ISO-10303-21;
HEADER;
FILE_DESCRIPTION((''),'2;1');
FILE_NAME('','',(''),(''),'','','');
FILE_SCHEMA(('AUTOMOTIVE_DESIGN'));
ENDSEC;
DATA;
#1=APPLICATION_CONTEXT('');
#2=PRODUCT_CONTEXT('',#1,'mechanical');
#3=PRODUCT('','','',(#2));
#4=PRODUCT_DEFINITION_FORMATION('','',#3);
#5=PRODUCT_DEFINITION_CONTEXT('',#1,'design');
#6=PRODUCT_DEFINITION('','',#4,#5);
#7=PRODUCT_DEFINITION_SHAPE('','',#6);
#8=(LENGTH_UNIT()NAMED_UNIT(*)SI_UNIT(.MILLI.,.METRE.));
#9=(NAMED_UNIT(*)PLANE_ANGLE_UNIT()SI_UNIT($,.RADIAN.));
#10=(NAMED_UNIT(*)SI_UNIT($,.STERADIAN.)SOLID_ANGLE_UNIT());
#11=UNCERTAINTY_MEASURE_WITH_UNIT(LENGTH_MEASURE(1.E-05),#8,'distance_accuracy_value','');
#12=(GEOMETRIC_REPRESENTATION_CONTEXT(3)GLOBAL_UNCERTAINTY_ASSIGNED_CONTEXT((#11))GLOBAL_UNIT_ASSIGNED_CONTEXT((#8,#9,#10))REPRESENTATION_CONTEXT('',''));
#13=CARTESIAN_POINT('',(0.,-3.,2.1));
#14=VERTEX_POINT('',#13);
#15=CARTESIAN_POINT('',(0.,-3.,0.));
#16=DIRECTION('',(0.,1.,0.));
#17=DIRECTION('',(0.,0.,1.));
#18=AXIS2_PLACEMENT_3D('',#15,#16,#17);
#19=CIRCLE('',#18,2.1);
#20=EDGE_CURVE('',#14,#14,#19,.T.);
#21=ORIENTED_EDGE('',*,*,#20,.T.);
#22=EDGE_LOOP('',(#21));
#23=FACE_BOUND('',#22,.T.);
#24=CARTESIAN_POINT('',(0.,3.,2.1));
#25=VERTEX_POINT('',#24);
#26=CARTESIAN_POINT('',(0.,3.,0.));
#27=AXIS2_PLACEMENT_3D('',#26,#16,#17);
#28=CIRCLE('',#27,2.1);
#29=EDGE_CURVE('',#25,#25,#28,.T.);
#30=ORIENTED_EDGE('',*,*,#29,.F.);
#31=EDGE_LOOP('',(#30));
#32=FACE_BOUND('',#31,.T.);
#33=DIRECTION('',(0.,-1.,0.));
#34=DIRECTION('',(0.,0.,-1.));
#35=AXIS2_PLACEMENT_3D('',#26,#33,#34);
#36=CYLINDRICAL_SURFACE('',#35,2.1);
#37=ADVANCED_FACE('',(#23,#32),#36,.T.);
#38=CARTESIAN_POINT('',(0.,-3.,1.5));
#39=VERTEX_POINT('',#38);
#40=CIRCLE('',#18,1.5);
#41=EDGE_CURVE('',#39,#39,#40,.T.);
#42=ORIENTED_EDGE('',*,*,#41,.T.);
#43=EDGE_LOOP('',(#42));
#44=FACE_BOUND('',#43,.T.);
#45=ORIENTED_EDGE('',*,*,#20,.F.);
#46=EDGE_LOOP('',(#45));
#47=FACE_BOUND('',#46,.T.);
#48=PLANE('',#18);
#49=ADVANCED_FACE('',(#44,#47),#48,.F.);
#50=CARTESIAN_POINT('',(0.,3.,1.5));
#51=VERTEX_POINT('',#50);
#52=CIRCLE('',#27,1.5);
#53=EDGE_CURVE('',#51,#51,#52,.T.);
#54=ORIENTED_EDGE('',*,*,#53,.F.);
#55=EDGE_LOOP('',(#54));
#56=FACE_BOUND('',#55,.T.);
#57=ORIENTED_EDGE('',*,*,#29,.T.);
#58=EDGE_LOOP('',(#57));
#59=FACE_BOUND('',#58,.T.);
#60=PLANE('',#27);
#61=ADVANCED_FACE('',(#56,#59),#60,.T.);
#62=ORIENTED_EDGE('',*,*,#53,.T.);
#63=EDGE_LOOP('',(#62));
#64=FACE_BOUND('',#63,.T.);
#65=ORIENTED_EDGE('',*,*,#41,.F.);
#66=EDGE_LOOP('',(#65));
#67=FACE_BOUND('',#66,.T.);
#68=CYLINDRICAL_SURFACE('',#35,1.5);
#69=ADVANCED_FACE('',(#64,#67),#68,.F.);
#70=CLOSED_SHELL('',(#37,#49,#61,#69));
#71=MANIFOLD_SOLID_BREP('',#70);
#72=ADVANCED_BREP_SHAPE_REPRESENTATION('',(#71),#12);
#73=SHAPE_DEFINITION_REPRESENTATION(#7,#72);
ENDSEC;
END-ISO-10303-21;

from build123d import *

# Parameters (mm, degrees)
SKETCH_1_R      = 2.1
SKETCH_1_R_2    = 1.5
EXTRUDE_1_DEPTH = 3


with BuildPart() as part:
    # 草图1 → 凸台-拉伸1 (new, symmetric)
    with BuildSketch(Plane(origin=(0, 0, 0), x_dir=(1, 0, 0), z_dir=(0, 1, 0))):
        with Locations(Location((0, 0, 0), (0, 0, 270))):
            Circle(SKETCH_1_R)
        with Locations(Location((0, 0, 0), (0, 0, 270))):
            Circle(SKETCH_1_R_2, mode=Mode.SUBTRACT)
    extrude(amount=EXTRUDE_1_DEPTH, both=True)


solid = part.part
